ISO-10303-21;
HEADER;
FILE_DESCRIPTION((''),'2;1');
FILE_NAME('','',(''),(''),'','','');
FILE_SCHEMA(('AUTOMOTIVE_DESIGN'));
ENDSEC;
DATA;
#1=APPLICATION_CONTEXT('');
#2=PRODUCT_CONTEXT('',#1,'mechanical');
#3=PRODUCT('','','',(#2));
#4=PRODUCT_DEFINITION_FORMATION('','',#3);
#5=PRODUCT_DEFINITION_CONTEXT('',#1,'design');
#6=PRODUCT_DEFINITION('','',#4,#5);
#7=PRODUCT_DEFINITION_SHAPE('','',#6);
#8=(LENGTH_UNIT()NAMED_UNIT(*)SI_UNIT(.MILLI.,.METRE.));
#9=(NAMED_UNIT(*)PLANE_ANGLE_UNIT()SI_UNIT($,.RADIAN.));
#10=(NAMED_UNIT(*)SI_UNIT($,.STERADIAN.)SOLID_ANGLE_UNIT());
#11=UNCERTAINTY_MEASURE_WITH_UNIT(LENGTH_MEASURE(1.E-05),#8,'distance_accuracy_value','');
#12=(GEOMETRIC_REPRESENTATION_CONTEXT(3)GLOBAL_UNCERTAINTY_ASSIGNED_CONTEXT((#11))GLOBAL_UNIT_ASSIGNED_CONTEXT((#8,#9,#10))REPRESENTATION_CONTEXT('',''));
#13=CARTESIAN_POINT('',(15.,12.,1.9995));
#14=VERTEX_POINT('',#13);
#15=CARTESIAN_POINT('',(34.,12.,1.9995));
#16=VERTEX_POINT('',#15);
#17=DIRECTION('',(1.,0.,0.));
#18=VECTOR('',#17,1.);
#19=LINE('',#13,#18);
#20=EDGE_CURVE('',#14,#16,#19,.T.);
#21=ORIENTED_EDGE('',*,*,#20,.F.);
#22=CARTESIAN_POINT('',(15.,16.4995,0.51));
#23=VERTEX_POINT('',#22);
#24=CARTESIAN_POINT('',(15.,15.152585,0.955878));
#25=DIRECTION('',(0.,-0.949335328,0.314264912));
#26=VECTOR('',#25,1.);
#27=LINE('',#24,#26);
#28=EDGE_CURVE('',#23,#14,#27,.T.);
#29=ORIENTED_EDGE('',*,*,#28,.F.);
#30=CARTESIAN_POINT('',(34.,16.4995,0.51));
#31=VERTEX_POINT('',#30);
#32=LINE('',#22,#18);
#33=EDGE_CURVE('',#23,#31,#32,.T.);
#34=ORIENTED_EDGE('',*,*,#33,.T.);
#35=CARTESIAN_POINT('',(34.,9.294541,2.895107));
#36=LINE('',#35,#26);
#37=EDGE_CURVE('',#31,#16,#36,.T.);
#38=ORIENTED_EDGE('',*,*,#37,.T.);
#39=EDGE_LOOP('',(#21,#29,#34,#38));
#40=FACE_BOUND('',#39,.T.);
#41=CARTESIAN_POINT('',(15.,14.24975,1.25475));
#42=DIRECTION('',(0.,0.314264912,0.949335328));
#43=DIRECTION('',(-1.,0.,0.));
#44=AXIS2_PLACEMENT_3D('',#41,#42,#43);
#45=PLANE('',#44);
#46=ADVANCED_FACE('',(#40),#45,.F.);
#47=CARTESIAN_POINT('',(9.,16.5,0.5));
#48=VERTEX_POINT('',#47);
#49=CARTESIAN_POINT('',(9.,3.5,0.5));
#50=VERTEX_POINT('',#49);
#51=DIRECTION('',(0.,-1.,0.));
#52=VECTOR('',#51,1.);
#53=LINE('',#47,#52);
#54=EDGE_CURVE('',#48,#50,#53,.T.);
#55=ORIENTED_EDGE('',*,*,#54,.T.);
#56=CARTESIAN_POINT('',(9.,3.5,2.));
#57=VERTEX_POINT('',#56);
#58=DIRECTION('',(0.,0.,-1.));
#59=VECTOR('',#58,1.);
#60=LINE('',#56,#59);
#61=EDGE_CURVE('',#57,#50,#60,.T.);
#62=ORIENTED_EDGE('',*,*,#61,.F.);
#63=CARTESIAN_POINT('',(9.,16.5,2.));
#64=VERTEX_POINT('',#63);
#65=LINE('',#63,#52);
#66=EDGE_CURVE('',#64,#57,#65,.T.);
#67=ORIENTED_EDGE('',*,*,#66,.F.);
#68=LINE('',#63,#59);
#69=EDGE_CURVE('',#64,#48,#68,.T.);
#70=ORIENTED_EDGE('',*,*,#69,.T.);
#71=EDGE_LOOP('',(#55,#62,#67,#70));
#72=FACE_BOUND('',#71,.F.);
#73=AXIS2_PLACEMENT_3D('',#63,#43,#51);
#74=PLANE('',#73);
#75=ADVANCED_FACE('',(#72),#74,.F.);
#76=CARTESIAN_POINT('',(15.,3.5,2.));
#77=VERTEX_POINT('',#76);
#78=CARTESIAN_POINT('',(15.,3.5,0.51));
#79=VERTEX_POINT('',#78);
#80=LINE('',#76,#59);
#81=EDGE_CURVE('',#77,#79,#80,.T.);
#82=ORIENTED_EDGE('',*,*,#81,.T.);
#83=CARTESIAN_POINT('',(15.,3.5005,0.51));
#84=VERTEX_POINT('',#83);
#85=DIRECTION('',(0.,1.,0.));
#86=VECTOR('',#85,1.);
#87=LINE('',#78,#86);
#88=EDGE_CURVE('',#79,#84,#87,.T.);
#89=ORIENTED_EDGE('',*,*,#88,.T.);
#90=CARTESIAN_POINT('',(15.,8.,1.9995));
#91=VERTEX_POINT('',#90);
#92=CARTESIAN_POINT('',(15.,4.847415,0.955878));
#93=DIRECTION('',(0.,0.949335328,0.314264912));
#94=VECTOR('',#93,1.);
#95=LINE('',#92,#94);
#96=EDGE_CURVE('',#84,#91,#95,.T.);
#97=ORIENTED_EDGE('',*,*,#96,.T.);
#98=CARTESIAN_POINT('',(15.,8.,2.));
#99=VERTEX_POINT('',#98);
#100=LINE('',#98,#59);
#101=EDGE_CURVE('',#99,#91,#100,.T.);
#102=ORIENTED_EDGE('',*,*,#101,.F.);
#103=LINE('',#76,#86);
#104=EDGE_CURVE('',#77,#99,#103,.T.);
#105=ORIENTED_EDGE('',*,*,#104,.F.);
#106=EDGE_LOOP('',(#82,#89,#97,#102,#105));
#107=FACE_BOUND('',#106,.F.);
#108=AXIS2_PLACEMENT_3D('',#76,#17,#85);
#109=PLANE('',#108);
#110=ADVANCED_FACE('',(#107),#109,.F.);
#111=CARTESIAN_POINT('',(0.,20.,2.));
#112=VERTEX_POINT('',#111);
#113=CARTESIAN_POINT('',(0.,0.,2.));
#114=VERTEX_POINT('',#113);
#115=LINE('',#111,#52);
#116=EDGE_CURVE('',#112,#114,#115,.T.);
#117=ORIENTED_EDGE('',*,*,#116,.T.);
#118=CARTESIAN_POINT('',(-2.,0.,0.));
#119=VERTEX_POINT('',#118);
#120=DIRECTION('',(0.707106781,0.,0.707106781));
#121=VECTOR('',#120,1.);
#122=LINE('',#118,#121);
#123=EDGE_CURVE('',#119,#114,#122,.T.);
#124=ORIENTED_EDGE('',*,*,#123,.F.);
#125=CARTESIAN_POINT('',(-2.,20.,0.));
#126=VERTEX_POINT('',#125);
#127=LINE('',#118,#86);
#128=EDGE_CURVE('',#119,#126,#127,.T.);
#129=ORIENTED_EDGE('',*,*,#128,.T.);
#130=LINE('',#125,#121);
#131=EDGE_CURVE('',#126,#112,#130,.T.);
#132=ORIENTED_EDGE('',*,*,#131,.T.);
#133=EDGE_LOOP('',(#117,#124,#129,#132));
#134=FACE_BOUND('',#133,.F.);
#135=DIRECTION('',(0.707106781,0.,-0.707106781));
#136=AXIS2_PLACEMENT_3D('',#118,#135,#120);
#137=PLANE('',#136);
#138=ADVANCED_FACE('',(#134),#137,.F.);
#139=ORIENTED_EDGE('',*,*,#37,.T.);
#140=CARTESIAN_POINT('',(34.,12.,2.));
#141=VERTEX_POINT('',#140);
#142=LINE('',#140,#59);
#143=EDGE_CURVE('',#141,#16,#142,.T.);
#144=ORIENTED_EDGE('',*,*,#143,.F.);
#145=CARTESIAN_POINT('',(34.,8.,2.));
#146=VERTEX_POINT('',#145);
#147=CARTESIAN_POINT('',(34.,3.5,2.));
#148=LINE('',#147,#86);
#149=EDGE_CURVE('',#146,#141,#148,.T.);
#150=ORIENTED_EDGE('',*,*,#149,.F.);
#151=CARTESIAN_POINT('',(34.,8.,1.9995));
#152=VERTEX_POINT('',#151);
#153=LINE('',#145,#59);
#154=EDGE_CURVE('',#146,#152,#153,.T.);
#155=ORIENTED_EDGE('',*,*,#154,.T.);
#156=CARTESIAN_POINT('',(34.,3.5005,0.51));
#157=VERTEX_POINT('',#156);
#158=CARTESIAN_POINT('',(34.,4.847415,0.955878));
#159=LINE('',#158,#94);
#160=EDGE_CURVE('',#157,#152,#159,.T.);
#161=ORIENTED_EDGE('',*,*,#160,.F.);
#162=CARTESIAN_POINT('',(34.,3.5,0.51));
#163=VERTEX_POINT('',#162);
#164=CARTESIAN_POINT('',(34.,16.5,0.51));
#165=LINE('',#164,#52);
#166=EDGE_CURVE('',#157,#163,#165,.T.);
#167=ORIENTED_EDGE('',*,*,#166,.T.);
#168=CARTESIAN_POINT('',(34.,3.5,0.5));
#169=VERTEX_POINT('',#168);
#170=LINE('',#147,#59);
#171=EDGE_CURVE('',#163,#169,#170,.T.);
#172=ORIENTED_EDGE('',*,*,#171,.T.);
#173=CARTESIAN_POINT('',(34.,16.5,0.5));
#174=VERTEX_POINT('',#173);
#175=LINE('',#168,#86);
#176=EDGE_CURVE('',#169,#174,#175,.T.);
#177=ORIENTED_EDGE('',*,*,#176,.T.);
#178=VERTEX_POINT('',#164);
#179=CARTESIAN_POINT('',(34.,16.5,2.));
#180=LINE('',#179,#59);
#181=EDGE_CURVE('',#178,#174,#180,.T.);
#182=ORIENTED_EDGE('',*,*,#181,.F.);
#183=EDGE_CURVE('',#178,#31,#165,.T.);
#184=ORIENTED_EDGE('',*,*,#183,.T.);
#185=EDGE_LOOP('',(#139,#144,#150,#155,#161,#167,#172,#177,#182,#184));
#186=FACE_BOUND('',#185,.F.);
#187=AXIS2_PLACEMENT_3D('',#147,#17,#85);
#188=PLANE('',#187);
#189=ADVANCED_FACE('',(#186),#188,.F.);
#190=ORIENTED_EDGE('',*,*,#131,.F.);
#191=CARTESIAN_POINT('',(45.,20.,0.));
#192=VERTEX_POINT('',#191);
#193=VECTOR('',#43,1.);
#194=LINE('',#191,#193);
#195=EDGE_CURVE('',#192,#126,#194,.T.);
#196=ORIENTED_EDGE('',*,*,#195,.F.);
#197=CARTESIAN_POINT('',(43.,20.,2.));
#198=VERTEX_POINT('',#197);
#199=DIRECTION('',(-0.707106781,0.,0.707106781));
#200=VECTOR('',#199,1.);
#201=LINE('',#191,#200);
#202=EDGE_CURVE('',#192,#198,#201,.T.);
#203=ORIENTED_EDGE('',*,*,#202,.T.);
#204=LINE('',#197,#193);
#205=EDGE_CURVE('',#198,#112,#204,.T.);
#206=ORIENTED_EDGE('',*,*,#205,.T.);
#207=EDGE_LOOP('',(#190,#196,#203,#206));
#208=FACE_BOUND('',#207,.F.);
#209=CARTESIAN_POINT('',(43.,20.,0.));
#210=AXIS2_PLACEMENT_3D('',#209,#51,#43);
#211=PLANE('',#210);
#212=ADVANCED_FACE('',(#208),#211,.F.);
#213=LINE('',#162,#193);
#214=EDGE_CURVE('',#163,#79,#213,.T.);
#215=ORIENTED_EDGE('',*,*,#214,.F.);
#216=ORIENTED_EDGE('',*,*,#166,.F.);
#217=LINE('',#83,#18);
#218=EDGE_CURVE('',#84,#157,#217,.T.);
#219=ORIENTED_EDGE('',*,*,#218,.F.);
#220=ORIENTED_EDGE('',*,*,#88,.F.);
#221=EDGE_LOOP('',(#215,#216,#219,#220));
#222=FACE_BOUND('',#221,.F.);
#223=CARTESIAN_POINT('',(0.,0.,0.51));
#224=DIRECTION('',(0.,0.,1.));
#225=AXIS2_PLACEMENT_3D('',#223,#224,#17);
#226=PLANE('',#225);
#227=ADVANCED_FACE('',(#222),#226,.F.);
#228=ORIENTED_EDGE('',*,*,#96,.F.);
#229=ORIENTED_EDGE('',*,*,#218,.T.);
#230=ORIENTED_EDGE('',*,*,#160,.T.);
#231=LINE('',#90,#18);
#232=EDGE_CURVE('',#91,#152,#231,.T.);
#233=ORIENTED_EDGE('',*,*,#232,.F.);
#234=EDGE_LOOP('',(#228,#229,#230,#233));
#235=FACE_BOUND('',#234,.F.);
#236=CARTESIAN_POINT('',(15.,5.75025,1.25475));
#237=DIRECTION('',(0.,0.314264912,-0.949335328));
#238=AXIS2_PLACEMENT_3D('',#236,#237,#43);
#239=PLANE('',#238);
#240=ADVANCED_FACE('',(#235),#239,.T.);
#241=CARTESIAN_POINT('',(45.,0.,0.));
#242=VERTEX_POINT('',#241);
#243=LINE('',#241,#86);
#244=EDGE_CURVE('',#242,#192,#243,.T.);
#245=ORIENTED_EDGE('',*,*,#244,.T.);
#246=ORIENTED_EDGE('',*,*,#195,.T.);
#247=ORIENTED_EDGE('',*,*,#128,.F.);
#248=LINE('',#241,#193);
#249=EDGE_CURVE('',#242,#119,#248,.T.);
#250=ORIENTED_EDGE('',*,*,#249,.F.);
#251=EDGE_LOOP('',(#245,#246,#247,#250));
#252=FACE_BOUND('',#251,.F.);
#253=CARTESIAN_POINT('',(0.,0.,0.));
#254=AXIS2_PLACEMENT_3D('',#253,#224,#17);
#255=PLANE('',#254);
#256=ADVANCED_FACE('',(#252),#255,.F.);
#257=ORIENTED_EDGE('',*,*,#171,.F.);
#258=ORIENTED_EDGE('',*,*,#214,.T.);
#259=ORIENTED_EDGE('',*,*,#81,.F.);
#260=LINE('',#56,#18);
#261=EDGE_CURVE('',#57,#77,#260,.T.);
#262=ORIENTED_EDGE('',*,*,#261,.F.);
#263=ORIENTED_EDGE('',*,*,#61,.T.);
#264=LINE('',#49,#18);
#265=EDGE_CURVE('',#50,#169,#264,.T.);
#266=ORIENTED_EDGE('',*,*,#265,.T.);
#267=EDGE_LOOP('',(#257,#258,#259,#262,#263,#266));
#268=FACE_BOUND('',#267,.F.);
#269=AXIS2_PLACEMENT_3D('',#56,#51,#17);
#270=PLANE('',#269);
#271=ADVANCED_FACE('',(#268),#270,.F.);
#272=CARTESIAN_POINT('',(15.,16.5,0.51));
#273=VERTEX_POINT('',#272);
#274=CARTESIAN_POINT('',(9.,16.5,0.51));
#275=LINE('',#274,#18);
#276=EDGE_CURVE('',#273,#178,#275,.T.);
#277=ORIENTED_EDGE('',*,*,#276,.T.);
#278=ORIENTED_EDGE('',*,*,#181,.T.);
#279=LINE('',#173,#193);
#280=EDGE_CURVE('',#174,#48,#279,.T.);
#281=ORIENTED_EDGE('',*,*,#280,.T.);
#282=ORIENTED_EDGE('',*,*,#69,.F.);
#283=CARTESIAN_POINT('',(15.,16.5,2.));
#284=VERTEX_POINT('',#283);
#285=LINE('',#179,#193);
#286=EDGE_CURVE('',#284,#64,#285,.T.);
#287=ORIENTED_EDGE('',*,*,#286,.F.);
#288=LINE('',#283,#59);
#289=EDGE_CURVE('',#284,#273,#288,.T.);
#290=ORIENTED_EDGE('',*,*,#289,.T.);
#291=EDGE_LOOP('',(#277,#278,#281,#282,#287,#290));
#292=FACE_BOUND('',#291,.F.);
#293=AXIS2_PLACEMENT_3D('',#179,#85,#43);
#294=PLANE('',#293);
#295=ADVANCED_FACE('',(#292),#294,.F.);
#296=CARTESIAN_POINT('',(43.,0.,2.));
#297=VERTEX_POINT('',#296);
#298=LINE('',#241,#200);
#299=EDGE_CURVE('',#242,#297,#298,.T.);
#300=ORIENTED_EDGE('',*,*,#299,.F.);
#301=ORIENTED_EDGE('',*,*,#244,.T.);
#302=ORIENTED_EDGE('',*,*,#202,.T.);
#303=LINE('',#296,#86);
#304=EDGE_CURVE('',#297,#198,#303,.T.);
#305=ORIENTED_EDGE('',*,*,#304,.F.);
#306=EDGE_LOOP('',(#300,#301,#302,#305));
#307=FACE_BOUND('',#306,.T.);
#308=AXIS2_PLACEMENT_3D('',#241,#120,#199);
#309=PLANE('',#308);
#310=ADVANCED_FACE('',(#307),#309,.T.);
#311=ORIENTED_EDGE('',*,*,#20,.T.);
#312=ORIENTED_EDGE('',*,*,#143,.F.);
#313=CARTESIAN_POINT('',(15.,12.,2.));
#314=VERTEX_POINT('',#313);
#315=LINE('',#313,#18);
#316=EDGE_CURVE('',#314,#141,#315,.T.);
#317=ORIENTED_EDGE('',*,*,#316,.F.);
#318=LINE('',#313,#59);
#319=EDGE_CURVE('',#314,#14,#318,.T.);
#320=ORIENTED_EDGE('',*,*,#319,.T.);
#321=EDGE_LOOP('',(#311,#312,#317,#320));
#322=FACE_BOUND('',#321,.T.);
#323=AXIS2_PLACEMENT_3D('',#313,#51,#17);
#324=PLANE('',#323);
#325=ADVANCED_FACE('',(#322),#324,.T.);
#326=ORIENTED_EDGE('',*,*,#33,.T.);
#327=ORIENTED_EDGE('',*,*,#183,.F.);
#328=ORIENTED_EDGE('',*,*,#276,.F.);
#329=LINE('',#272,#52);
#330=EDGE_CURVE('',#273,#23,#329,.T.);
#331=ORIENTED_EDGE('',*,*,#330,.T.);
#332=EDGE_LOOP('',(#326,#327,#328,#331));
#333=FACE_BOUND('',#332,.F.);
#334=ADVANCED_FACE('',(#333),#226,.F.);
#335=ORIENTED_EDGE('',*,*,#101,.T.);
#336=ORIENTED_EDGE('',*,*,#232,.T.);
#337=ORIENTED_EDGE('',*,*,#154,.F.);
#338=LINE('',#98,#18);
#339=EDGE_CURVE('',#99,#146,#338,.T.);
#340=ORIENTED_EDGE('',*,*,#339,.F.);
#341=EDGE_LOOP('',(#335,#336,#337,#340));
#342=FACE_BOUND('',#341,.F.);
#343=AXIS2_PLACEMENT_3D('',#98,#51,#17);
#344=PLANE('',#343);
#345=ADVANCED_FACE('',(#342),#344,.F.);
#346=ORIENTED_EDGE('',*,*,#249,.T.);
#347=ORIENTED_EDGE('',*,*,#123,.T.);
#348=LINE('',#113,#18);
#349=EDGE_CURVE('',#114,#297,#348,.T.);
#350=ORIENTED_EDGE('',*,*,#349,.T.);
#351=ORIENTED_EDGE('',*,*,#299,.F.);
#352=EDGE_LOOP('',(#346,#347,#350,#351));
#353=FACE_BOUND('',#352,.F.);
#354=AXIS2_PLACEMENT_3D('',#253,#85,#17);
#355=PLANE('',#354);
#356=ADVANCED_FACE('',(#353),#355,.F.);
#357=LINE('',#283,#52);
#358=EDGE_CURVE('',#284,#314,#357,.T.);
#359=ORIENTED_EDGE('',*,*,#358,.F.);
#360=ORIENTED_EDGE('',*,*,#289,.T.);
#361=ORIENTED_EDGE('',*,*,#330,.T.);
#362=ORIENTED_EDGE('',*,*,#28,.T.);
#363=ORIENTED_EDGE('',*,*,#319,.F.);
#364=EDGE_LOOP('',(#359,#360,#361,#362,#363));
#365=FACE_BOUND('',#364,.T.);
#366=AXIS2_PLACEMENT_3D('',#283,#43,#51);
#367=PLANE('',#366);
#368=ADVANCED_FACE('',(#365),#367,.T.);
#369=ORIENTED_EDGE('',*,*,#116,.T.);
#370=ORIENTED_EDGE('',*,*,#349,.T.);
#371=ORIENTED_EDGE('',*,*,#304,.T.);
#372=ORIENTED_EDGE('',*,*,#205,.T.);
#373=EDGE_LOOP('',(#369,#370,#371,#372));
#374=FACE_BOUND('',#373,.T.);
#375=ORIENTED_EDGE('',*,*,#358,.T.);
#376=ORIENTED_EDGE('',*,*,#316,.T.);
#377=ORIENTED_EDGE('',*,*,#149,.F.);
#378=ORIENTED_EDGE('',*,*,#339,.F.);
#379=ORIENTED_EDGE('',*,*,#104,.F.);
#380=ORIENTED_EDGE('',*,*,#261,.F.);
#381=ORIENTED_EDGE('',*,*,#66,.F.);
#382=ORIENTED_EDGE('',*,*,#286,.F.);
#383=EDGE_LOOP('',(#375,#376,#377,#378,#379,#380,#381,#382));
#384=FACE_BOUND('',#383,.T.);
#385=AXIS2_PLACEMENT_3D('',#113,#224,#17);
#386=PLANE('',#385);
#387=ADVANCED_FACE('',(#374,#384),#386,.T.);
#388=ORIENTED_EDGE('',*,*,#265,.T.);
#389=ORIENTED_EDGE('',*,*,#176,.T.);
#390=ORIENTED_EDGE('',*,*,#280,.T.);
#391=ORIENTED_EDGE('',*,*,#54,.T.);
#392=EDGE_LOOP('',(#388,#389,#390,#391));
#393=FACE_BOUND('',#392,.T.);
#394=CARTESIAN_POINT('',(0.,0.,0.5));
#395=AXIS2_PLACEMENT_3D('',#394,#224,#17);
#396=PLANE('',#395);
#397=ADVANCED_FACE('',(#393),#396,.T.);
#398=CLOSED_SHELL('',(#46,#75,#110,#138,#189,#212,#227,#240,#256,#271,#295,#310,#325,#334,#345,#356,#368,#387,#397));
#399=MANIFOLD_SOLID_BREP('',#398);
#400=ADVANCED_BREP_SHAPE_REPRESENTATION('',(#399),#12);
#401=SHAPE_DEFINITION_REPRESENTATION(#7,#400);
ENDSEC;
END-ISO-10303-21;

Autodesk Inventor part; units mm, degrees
ref_plane "YZ Plane" through (0, 0, 0) normal (1, 0, 0) x (0, 1, 0)
ref_plane "XZ Plane" through (0, 0, 0) normal (0, 1, 0) x (-1, 0, 0)
ref_plane "XY Plane" through (0, 0, 0) normal (0, 0, 1) x (1, 0, 0)
sketch "Sketch1" plane through (0, 0, 0) normal (0, 0, 1) x (1, 0, 0)
  line L0 (0, 0) -> (43, 0)
  line L1 (43, 0) -> (43, 20)
  line L2 (43, 20) -> (0, 20)
  line L3 (0, 20) -> (0, 0)
  dimension "d0" = 43
  dimension "d1" = 20
extrude "Extrusion1" add sketch "Sketch1" along normal blind 2
sketch "Sketch2" plane through (0, 0, 0) normal (0, -1, 0) x (1, 0, 0)
  line L0 (43, 0) -> (43, 2) projected
  line L1 (0, 0) -> (0, 2) projected
  line L2 (0, 0) -> (-2, 0)
  line L3 (-2, 0) -> (0, 2)
  line L4 (43, 0) -> (45, 0)
  line L5 (45, 0) -> (43, 2)
  dimension "d4" = 2
  dimension "d5" = 2
extrude "Extrusion2" add sketch "Sketch2" against normal blind 20
sketch "Sketch3" plane through (0, 0, 2) normal (0, 0, 1) x (1, 0, 0)
  line L0 (0, 0) -> (43, 0) projected
  line L1 (43, 0) -> (43, 20) projected
  line L2 (43, 20) -> (0, 20) projected
  line L3 (0, 20) -> (0, 0) projected
  line L4 (9, 3.5) -> (34, 3.5)
  line L5 (34, 3.5) -> (34, 16.5)
  line L6 (34, 16.5) -> (9, 16.5)
  line L7 (9, 16.5) -> (9, 3.5)
  dimension "d8" = 25
  dimension "d9" = 13
  dimension "d10" = 3.5
  dimension "d11" = 3.5
  dimension "d12" = 9
  dimension "d13" = 9
extrude "Extrusion3" cut sketch "Sketch3" against normal blind 1.5 contours L7 L6 L5 L4
sketch "Sketch4" plane through (0, 0, 2) normal (0, 0, 1) x (1, 0, 0)
  line L0 (34, 16.5) -> (34, 3.5) projected
  line L1 (34, 3.5) -> (15, 3.5)
  line L2 (15, 3.5) -> (15, 8)
  line L3 (15, 8) -> (34, 8)
  line L4 (34, 8) -> (34, 3.5)
  line L5 (9, 16.5) -> (34, 16.5) projected
  line L6 (34, 16.5) -> (15, 16.5)
  line L7 (15, 16.5) -> (15, 12)
  line L8 (15, 12) -> (34, 12)
  line L9 (34, 12) -> (34, 16.5)
  dimension "d16" = 19
  dimension "d17" = 4.5
  dimension "d18" = 4.5
extrude "Extrusion4" add sketch "Sketch4" against normal blind 1.49
chamfer "Chamfer5" distance 4.5 distance2 1.49 1 edges at (24.5, 12, 0.51) measured on face at (21.3333, 15, 0.51)
chamfer "Chamfer6" distance 4.5 distance2 1.49 1 edges at (24.5, 8, 0.51) measured on face at (27.6667, 5, 0.51)
properties part number "deksel token Nieuw bevestiging"
